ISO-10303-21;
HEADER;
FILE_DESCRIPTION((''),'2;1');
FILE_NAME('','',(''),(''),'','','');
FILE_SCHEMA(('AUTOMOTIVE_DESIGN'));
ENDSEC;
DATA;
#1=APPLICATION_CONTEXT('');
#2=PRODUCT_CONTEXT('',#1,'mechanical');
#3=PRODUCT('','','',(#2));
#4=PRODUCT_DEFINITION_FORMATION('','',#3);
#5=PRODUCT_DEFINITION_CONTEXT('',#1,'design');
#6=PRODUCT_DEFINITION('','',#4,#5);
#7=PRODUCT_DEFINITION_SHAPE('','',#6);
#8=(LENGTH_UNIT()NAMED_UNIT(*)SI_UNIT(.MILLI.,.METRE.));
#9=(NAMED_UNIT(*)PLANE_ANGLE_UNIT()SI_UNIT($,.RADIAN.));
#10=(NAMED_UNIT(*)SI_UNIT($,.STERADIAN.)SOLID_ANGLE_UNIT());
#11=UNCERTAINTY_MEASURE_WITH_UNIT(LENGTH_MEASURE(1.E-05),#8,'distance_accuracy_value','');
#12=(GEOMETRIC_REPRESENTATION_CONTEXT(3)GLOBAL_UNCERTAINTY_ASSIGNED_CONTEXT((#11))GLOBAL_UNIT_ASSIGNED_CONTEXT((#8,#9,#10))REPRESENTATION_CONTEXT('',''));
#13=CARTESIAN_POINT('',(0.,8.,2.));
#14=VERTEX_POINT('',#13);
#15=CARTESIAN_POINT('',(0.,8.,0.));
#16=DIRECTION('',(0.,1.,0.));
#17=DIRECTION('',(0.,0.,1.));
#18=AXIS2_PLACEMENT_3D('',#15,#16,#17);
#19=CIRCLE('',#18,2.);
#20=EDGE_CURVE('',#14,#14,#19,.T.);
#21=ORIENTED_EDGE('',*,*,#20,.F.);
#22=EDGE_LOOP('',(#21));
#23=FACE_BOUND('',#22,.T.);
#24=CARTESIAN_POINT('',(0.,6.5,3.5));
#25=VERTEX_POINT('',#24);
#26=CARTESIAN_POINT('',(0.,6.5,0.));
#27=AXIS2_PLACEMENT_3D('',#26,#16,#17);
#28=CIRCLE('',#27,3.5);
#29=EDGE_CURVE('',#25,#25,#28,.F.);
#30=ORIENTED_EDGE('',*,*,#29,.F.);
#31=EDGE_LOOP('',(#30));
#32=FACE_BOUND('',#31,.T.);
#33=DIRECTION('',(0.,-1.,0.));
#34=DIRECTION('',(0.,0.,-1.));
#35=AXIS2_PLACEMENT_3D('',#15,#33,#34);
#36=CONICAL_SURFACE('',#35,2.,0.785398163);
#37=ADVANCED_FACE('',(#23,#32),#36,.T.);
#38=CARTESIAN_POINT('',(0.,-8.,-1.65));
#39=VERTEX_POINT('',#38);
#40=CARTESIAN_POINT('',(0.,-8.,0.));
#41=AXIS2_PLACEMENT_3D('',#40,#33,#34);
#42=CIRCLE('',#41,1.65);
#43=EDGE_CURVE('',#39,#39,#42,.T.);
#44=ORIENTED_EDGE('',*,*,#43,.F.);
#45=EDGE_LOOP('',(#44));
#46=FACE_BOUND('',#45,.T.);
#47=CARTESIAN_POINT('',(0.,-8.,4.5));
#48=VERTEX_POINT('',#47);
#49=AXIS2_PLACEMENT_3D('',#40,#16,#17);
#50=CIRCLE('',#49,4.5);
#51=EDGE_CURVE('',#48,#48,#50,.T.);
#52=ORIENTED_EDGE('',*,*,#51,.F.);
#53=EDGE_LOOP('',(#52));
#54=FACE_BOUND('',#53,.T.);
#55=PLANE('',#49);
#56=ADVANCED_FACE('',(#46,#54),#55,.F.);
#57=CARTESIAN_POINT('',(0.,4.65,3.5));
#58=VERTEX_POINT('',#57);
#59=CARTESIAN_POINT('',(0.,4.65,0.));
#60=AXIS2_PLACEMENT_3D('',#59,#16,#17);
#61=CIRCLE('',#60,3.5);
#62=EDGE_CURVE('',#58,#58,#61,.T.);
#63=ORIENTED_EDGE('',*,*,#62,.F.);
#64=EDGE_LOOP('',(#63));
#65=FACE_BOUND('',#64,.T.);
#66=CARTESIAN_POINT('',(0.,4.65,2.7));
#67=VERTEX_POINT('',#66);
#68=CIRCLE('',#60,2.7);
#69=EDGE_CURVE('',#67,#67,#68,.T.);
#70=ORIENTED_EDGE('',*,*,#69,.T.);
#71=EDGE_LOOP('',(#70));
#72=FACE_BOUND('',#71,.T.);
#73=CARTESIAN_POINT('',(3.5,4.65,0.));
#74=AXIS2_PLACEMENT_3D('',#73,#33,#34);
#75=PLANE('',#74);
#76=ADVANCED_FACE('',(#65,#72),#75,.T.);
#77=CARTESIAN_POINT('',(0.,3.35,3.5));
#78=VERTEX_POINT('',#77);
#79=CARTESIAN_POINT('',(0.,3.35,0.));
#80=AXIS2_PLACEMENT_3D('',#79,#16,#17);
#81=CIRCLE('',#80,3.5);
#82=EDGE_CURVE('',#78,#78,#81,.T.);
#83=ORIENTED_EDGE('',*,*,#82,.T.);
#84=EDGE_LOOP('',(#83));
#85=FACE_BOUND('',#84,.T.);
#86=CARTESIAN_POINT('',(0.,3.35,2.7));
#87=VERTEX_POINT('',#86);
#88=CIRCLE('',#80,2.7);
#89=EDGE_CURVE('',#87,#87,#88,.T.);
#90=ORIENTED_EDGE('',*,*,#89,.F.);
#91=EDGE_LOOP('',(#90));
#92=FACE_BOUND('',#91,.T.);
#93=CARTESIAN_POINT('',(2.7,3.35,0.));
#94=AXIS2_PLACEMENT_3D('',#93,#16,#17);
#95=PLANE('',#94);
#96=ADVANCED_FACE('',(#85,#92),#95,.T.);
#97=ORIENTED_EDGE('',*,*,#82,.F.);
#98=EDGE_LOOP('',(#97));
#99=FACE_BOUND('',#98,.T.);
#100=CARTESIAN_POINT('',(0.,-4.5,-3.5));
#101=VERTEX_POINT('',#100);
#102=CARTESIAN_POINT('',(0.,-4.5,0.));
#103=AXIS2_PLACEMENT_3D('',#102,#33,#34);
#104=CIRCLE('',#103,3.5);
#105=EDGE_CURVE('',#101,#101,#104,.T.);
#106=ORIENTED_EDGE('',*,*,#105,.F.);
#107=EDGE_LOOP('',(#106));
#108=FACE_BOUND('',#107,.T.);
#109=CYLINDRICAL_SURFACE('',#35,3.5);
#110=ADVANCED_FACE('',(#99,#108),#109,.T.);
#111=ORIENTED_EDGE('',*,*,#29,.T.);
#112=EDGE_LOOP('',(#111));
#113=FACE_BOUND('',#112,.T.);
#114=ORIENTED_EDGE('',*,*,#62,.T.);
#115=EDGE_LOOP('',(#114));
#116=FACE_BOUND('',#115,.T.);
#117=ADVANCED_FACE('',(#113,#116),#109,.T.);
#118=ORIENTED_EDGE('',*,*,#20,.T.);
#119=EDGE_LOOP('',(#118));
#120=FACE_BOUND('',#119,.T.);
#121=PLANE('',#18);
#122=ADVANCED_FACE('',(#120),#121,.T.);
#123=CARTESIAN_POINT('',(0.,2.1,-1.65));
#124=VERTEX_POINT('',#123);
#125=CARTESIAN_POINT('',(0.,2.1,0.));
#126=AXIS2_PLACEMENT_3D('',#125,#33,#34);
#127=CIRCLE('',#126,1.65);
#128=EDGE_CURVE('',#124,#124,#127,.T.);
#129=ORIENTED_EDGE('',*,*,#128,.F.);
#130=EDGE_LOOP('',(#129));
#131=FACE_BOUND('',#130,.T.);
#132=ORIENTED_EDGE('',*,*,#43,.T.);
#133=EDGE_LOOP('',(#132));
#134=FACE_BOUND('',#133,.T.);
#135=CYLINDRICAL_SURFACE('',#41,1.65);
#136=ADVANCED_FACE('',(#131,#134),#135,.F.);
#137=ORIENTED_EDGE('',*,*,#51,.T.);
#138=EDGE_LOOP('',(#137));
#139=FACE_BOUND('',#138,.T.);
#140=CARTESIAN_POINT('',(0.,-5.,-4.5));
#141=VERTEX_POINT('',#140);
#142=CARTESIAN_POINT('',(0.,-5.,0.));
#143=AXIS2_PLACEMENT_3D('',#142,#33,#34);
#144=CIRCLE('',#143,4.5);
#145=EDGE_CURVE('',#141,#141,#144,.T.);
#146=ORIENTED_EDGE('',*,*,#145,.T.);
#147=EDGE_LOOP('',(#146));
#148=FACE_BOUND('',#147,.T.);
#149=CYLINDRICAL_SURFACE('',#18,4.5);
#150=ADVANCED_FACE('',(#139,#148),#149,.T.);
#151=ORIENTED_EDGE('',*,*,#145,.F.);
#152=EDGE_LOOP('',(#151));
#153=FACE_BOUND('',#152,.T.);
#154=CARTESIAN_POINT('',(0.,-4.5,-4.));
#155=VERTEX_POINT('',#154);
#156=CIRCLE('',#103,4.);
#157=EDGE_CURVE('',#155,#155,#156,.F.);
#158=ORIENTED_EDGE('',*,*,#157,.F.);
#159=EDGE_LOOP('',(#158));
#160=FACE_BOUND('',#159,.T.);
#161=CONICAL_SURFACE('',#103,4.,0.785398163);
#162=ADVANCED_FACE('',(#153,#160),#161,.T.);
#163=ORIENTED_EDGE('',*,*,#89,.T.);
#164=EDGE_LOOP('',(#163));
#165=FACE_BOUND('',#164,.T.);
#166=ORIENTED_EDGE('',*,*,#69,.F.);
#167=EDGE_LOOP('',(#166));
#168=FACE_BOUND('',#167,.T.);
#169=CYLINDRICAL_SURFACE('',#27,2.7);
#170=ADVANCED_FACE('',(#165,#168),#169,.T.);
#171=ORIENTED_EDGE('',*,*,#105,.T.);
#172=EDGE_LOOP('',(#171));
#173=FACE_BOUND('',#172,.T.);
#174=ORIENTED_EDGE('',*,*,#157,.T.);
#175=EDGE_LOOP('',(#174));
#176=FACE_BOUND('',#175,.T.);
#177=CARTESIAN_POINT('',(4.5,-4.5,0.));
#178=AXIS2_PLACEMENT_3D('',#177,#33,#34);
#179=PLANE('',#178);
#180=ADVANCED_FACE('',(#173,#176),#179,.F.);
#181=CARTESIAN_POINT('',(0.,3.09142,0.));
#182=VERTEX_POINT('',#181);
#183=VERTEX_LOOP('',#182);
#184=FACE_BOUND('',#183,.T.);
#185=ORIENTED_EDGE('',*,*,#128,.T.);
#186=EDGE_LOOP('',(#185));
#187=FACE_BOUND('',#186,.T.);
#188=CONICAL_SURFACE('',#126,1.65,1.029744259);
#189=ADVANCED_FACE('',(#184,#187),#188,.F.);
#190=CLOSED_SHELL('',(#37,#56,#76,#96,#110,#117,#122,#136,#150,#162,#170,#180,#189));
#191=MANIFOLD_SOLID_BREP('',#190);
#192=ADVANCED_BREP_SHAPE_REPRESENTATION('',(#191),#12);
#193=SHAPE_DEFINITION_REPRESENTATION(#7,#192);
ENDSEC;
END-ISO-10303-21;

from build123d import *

# Parameters (mm, degrees)
SKETCH_1_R             = 3.5
EXTRUDE_1_DEPTH        = 8
SKETCH_2_W             = 1
SKETCH_2_H             = 3.5
HOLE_WIZARD_M4_1_D     = 3.3
HOLE_WIZARD_M4_1_DEPTH = 10.1
HOLE_WIZARD_M4_1_TIP   = 0.991420021
CHAMFER_1_SIZE         = 1.5
SKETCH_6_W             = 0.8
SKETCH_6_H             = 1.3
CHAMFER_2_SIZE         = 0.5


with BuildPart() as part:
    # 草图1 → 凸台-拉伸1 (new, symmetric)
    with BuildSketch(Plane(origin=(0, 0, 0), x_dir=(1, 0, 0), z_dir=(0, 1, 0))):
        with Locations(Location((0, 0, 0), (0, 0, 270))):
            Circle(SKETCH_1_R)
    extrude(amount=EXTRUDE_1_DEPTH, both=True)

    # 草图2 → 旋转1 (revolve)
    with BuildSketch(Plane.XY, mode=Mode.PRIVATE) as revolve_1_sk:
        with Locations((4, -6.25)):
            Rectangle(SKETCH_2_W, SKETCH_2_H)
    revolve(revolve_1_sk.sketch.rotate(Axis((0, 8, 0), (0, -1, 0)), 270), axis=Axis((0, 8, 0), (0, -1, 0)))

    # M4 螺纹孔1
    with Locations(Plane(origin=(0, -8, 0), x_dir=(-1, 0, 0), z_dir=(0, -1, 0))):
        with Locations((0, 0)):
            Hole(HOLE_WIZARD_M4_1_D / 2, depth=HOLE_WIZARD_M4_1_DEPTH)
            with Locations((0, 0, -(HOLE_WIZARD_M4_1_DEPTH + HOLE_WIZARD_M4_1_TIP / 2))):  # 118° drill point
                Cone(0, HOLE_WIZARD_M4_1_D / 2, HOLE_WIZARD_M4_1_TIP, mode=Mode.SUBTRACT)

    # 倒角1
    chamfer_1_edges = [part.edges().sort_by_distance(p)[0] for p in [
        (0, 8, -3.5),
    ]]
    chamfer(chamfer_1_edges, length=CHAMFER_1_SIZE)

    # 草图6 → 切除-旋转1 (revolve, cut)
    with BuildSketch(Plane.XY, mode=Mode.PRIVATE) as cut_revolve_1_sk:
        with Locations((3.1, 4)):
            Rectangle(SKETCH_6_W, SKETCH_6_H)
    revolve(cut_revolve_1_sk.sketch.rotate(Axis((0, 8, 0), (0, -1, 0)), 270), axis=Axis((0, 8, 0), (0, -1, 0)), mode=Mode.SUBTRACT)

    # 倒角2
    chamfer_2_edges = [part.edges().sort_by_distance(p)[0] for p in [
        (0, -4.5, 4.5),
    ]]
    chamfer(chamfer_2_edges, length=CHAMFER_2_SIZE)


solid = part.part
